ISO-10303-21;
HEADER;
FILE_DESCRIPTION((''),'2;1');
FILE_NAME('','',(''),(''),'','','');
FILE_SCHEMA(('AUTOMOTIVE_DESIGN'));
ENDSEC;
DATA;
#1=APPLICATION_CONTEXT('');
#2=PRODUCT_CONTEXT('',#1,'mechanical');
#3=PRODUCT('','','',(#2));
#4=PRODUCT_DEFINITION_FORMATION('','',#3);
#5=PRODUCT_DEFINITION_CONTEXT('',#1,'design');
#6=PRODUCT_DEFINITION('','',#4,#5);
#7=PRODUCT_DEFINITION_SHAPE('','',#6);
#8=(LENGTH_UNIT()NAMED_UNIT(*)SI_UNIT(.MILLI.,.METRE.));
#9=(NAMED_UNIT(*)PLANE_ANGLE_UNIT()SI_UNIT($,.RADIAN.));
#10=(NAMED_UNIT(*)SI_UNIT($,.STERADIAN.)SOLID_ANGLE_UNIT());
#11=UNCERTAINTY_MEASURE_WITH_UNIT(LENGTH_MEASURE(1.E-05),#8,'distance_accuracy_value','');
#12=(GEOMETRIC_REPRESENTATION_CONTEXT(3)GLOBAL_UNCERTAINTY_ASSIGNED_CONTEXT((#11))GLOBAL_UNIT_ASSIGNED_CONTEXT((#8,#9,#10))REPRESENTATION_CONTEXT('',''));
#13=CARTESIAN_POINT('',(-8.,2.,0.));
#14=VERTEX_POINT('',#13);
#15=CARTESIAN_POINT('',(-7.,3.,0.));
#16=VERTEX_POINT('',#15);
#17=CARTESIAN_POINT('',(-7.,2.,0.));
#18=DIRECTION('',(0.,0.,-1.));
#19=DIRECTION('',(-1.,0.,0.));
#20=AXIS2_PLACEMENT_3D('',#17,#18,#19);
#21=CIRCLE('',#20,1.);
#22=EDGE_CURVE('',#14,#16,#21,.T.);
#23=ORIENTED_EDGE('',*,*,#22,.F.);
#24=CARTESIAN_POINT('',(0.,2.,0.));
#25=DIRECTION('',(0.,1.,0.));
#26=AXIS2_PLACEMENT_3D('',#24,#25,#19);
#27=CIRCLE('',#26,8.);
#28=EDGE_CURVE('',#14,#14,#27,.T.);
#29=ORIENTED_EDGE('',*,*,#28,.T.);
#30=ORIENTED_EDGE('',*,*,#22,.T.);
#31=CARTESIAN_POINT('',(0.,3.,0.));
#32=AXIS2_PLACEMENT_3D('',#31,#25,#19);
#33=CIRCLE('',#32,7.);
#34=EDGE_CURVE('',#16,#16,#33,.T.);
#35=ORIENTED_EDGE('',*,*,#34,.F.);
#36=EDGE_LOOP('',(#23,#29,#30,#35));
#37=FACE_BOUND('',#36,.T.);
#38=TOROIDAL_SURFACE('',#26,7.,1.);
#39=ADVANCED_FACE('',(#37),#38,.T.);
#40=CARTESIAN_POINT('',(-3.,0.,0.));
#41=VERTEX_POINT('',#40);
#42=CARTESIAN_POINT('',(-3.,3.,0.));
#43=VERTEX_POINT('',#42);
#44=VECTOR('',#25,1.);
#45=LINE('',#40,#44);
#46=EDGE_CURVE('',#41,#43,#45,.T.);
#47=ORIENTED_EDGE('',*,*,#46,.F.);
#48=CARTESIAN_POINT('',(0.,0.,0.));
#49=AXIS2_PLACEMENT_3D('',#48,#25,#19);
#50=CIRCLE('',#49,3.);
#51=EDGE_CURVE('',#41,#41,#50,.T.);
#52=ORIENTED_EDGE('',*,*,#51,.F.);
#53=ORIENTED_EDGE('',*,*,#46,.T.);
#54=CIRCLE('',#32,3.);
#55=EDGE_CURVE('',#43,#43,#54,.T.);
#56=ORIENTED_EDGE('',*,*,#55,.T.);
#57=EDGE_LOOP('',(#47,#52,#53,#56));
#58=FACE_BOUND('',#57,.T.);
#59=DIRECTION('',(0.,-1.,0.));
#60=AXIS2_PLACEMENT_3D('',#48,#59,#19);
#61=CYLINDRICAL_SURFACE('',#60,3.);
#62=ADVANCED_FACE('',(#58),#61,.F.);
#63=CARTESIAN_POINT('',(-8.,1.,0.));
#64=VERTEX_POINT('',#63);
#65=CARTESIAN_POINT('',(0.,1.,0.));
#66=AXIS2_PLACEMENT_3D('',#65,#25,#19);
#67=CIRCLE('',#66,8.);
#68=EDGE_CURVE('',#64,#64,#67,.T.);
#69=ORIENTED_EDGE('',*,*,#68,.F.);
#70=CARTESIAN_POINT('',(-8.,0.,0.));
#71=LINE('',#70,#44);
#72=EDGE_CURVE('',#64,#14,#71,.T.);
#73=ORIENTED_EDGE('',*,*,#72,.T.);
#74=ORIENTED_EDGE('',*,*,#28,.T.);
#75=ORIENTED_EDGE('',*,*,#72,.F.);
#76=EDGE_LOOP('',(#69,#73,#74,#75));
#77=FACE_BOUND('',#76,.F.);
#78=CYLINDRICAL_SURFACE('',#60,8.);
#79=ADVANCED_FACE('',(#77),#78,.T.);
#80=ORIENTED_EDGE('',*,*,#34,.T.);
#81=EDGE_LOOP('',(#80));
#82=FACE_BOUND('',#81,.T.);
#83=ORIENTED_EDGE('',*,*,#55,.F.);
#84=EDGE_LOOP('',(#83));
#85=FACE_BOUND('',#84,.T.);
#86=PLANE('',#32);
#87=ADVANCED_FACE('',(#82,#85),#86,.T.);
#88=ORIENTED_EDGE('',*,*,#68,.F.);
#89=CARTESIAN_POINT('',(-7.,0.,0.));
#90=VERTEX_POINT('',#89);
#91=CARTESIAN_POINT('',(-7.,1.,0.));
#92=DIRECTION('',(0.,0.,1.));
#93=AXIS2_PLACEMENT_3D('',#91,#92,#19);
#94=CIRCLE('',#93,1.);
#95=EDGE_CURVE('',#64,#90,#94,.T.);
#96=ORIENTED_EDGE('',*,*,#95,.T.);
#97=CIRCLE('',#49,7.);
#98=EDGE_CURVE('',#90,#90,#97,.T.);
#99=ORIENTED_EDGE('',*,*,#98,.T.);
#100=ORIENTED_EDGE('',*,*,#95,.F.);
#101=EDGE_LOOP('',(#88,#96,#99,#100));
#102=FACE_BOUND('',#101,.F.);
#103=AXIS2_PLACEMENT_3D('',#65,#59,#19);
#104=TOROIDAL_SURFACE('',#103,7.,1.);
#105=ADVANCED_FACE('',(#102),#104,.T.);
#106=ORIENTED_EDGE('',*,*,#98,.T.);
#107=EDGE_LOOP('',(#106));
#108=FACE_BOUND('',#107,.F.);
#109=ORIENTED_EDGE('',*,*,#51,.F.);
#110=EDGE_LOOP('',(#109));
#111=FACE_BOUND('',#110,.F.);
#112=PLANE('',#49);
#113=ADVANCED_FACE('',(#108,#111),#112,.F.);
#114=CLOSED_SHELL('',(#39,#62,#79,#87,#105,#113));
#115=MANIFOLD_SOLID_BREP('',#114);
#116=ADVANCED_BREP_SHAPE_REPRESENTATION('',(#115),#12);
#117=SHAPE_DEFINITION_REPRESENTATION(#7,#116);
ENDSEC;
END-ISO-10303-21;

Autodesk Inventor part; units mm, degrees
ref_plane "YZ Plane" through (0, 0, 0) normal (1, 0, 0) x (0, 1, 0)
ref_plane "XZ Plane" through (0, 0, 0) normal (0, 1, 0) x (-1, 0, 0)
ref_plane "XY Plane" through (0, 0, 0) normal (0, 0, 1) x (1, 0, 0)
sketch "Sketch1" plane through (0, 0, 0) normal (0, 1, 0) x (-1, 0, 0)
  circle A0 centre (0, 0) radius 3
  circle A1 centre (0, 0) radius 8
  dimension "d0" = 6
  dimension "d1" = 16
extrude "Extrusion1" add sketch "Sketch1" along normal blind 3
fillet "Fillet1" radius 1 2 edges at (8, 3, 0) (8, 0, 0)
properties part number "Bearing_Spacer"
